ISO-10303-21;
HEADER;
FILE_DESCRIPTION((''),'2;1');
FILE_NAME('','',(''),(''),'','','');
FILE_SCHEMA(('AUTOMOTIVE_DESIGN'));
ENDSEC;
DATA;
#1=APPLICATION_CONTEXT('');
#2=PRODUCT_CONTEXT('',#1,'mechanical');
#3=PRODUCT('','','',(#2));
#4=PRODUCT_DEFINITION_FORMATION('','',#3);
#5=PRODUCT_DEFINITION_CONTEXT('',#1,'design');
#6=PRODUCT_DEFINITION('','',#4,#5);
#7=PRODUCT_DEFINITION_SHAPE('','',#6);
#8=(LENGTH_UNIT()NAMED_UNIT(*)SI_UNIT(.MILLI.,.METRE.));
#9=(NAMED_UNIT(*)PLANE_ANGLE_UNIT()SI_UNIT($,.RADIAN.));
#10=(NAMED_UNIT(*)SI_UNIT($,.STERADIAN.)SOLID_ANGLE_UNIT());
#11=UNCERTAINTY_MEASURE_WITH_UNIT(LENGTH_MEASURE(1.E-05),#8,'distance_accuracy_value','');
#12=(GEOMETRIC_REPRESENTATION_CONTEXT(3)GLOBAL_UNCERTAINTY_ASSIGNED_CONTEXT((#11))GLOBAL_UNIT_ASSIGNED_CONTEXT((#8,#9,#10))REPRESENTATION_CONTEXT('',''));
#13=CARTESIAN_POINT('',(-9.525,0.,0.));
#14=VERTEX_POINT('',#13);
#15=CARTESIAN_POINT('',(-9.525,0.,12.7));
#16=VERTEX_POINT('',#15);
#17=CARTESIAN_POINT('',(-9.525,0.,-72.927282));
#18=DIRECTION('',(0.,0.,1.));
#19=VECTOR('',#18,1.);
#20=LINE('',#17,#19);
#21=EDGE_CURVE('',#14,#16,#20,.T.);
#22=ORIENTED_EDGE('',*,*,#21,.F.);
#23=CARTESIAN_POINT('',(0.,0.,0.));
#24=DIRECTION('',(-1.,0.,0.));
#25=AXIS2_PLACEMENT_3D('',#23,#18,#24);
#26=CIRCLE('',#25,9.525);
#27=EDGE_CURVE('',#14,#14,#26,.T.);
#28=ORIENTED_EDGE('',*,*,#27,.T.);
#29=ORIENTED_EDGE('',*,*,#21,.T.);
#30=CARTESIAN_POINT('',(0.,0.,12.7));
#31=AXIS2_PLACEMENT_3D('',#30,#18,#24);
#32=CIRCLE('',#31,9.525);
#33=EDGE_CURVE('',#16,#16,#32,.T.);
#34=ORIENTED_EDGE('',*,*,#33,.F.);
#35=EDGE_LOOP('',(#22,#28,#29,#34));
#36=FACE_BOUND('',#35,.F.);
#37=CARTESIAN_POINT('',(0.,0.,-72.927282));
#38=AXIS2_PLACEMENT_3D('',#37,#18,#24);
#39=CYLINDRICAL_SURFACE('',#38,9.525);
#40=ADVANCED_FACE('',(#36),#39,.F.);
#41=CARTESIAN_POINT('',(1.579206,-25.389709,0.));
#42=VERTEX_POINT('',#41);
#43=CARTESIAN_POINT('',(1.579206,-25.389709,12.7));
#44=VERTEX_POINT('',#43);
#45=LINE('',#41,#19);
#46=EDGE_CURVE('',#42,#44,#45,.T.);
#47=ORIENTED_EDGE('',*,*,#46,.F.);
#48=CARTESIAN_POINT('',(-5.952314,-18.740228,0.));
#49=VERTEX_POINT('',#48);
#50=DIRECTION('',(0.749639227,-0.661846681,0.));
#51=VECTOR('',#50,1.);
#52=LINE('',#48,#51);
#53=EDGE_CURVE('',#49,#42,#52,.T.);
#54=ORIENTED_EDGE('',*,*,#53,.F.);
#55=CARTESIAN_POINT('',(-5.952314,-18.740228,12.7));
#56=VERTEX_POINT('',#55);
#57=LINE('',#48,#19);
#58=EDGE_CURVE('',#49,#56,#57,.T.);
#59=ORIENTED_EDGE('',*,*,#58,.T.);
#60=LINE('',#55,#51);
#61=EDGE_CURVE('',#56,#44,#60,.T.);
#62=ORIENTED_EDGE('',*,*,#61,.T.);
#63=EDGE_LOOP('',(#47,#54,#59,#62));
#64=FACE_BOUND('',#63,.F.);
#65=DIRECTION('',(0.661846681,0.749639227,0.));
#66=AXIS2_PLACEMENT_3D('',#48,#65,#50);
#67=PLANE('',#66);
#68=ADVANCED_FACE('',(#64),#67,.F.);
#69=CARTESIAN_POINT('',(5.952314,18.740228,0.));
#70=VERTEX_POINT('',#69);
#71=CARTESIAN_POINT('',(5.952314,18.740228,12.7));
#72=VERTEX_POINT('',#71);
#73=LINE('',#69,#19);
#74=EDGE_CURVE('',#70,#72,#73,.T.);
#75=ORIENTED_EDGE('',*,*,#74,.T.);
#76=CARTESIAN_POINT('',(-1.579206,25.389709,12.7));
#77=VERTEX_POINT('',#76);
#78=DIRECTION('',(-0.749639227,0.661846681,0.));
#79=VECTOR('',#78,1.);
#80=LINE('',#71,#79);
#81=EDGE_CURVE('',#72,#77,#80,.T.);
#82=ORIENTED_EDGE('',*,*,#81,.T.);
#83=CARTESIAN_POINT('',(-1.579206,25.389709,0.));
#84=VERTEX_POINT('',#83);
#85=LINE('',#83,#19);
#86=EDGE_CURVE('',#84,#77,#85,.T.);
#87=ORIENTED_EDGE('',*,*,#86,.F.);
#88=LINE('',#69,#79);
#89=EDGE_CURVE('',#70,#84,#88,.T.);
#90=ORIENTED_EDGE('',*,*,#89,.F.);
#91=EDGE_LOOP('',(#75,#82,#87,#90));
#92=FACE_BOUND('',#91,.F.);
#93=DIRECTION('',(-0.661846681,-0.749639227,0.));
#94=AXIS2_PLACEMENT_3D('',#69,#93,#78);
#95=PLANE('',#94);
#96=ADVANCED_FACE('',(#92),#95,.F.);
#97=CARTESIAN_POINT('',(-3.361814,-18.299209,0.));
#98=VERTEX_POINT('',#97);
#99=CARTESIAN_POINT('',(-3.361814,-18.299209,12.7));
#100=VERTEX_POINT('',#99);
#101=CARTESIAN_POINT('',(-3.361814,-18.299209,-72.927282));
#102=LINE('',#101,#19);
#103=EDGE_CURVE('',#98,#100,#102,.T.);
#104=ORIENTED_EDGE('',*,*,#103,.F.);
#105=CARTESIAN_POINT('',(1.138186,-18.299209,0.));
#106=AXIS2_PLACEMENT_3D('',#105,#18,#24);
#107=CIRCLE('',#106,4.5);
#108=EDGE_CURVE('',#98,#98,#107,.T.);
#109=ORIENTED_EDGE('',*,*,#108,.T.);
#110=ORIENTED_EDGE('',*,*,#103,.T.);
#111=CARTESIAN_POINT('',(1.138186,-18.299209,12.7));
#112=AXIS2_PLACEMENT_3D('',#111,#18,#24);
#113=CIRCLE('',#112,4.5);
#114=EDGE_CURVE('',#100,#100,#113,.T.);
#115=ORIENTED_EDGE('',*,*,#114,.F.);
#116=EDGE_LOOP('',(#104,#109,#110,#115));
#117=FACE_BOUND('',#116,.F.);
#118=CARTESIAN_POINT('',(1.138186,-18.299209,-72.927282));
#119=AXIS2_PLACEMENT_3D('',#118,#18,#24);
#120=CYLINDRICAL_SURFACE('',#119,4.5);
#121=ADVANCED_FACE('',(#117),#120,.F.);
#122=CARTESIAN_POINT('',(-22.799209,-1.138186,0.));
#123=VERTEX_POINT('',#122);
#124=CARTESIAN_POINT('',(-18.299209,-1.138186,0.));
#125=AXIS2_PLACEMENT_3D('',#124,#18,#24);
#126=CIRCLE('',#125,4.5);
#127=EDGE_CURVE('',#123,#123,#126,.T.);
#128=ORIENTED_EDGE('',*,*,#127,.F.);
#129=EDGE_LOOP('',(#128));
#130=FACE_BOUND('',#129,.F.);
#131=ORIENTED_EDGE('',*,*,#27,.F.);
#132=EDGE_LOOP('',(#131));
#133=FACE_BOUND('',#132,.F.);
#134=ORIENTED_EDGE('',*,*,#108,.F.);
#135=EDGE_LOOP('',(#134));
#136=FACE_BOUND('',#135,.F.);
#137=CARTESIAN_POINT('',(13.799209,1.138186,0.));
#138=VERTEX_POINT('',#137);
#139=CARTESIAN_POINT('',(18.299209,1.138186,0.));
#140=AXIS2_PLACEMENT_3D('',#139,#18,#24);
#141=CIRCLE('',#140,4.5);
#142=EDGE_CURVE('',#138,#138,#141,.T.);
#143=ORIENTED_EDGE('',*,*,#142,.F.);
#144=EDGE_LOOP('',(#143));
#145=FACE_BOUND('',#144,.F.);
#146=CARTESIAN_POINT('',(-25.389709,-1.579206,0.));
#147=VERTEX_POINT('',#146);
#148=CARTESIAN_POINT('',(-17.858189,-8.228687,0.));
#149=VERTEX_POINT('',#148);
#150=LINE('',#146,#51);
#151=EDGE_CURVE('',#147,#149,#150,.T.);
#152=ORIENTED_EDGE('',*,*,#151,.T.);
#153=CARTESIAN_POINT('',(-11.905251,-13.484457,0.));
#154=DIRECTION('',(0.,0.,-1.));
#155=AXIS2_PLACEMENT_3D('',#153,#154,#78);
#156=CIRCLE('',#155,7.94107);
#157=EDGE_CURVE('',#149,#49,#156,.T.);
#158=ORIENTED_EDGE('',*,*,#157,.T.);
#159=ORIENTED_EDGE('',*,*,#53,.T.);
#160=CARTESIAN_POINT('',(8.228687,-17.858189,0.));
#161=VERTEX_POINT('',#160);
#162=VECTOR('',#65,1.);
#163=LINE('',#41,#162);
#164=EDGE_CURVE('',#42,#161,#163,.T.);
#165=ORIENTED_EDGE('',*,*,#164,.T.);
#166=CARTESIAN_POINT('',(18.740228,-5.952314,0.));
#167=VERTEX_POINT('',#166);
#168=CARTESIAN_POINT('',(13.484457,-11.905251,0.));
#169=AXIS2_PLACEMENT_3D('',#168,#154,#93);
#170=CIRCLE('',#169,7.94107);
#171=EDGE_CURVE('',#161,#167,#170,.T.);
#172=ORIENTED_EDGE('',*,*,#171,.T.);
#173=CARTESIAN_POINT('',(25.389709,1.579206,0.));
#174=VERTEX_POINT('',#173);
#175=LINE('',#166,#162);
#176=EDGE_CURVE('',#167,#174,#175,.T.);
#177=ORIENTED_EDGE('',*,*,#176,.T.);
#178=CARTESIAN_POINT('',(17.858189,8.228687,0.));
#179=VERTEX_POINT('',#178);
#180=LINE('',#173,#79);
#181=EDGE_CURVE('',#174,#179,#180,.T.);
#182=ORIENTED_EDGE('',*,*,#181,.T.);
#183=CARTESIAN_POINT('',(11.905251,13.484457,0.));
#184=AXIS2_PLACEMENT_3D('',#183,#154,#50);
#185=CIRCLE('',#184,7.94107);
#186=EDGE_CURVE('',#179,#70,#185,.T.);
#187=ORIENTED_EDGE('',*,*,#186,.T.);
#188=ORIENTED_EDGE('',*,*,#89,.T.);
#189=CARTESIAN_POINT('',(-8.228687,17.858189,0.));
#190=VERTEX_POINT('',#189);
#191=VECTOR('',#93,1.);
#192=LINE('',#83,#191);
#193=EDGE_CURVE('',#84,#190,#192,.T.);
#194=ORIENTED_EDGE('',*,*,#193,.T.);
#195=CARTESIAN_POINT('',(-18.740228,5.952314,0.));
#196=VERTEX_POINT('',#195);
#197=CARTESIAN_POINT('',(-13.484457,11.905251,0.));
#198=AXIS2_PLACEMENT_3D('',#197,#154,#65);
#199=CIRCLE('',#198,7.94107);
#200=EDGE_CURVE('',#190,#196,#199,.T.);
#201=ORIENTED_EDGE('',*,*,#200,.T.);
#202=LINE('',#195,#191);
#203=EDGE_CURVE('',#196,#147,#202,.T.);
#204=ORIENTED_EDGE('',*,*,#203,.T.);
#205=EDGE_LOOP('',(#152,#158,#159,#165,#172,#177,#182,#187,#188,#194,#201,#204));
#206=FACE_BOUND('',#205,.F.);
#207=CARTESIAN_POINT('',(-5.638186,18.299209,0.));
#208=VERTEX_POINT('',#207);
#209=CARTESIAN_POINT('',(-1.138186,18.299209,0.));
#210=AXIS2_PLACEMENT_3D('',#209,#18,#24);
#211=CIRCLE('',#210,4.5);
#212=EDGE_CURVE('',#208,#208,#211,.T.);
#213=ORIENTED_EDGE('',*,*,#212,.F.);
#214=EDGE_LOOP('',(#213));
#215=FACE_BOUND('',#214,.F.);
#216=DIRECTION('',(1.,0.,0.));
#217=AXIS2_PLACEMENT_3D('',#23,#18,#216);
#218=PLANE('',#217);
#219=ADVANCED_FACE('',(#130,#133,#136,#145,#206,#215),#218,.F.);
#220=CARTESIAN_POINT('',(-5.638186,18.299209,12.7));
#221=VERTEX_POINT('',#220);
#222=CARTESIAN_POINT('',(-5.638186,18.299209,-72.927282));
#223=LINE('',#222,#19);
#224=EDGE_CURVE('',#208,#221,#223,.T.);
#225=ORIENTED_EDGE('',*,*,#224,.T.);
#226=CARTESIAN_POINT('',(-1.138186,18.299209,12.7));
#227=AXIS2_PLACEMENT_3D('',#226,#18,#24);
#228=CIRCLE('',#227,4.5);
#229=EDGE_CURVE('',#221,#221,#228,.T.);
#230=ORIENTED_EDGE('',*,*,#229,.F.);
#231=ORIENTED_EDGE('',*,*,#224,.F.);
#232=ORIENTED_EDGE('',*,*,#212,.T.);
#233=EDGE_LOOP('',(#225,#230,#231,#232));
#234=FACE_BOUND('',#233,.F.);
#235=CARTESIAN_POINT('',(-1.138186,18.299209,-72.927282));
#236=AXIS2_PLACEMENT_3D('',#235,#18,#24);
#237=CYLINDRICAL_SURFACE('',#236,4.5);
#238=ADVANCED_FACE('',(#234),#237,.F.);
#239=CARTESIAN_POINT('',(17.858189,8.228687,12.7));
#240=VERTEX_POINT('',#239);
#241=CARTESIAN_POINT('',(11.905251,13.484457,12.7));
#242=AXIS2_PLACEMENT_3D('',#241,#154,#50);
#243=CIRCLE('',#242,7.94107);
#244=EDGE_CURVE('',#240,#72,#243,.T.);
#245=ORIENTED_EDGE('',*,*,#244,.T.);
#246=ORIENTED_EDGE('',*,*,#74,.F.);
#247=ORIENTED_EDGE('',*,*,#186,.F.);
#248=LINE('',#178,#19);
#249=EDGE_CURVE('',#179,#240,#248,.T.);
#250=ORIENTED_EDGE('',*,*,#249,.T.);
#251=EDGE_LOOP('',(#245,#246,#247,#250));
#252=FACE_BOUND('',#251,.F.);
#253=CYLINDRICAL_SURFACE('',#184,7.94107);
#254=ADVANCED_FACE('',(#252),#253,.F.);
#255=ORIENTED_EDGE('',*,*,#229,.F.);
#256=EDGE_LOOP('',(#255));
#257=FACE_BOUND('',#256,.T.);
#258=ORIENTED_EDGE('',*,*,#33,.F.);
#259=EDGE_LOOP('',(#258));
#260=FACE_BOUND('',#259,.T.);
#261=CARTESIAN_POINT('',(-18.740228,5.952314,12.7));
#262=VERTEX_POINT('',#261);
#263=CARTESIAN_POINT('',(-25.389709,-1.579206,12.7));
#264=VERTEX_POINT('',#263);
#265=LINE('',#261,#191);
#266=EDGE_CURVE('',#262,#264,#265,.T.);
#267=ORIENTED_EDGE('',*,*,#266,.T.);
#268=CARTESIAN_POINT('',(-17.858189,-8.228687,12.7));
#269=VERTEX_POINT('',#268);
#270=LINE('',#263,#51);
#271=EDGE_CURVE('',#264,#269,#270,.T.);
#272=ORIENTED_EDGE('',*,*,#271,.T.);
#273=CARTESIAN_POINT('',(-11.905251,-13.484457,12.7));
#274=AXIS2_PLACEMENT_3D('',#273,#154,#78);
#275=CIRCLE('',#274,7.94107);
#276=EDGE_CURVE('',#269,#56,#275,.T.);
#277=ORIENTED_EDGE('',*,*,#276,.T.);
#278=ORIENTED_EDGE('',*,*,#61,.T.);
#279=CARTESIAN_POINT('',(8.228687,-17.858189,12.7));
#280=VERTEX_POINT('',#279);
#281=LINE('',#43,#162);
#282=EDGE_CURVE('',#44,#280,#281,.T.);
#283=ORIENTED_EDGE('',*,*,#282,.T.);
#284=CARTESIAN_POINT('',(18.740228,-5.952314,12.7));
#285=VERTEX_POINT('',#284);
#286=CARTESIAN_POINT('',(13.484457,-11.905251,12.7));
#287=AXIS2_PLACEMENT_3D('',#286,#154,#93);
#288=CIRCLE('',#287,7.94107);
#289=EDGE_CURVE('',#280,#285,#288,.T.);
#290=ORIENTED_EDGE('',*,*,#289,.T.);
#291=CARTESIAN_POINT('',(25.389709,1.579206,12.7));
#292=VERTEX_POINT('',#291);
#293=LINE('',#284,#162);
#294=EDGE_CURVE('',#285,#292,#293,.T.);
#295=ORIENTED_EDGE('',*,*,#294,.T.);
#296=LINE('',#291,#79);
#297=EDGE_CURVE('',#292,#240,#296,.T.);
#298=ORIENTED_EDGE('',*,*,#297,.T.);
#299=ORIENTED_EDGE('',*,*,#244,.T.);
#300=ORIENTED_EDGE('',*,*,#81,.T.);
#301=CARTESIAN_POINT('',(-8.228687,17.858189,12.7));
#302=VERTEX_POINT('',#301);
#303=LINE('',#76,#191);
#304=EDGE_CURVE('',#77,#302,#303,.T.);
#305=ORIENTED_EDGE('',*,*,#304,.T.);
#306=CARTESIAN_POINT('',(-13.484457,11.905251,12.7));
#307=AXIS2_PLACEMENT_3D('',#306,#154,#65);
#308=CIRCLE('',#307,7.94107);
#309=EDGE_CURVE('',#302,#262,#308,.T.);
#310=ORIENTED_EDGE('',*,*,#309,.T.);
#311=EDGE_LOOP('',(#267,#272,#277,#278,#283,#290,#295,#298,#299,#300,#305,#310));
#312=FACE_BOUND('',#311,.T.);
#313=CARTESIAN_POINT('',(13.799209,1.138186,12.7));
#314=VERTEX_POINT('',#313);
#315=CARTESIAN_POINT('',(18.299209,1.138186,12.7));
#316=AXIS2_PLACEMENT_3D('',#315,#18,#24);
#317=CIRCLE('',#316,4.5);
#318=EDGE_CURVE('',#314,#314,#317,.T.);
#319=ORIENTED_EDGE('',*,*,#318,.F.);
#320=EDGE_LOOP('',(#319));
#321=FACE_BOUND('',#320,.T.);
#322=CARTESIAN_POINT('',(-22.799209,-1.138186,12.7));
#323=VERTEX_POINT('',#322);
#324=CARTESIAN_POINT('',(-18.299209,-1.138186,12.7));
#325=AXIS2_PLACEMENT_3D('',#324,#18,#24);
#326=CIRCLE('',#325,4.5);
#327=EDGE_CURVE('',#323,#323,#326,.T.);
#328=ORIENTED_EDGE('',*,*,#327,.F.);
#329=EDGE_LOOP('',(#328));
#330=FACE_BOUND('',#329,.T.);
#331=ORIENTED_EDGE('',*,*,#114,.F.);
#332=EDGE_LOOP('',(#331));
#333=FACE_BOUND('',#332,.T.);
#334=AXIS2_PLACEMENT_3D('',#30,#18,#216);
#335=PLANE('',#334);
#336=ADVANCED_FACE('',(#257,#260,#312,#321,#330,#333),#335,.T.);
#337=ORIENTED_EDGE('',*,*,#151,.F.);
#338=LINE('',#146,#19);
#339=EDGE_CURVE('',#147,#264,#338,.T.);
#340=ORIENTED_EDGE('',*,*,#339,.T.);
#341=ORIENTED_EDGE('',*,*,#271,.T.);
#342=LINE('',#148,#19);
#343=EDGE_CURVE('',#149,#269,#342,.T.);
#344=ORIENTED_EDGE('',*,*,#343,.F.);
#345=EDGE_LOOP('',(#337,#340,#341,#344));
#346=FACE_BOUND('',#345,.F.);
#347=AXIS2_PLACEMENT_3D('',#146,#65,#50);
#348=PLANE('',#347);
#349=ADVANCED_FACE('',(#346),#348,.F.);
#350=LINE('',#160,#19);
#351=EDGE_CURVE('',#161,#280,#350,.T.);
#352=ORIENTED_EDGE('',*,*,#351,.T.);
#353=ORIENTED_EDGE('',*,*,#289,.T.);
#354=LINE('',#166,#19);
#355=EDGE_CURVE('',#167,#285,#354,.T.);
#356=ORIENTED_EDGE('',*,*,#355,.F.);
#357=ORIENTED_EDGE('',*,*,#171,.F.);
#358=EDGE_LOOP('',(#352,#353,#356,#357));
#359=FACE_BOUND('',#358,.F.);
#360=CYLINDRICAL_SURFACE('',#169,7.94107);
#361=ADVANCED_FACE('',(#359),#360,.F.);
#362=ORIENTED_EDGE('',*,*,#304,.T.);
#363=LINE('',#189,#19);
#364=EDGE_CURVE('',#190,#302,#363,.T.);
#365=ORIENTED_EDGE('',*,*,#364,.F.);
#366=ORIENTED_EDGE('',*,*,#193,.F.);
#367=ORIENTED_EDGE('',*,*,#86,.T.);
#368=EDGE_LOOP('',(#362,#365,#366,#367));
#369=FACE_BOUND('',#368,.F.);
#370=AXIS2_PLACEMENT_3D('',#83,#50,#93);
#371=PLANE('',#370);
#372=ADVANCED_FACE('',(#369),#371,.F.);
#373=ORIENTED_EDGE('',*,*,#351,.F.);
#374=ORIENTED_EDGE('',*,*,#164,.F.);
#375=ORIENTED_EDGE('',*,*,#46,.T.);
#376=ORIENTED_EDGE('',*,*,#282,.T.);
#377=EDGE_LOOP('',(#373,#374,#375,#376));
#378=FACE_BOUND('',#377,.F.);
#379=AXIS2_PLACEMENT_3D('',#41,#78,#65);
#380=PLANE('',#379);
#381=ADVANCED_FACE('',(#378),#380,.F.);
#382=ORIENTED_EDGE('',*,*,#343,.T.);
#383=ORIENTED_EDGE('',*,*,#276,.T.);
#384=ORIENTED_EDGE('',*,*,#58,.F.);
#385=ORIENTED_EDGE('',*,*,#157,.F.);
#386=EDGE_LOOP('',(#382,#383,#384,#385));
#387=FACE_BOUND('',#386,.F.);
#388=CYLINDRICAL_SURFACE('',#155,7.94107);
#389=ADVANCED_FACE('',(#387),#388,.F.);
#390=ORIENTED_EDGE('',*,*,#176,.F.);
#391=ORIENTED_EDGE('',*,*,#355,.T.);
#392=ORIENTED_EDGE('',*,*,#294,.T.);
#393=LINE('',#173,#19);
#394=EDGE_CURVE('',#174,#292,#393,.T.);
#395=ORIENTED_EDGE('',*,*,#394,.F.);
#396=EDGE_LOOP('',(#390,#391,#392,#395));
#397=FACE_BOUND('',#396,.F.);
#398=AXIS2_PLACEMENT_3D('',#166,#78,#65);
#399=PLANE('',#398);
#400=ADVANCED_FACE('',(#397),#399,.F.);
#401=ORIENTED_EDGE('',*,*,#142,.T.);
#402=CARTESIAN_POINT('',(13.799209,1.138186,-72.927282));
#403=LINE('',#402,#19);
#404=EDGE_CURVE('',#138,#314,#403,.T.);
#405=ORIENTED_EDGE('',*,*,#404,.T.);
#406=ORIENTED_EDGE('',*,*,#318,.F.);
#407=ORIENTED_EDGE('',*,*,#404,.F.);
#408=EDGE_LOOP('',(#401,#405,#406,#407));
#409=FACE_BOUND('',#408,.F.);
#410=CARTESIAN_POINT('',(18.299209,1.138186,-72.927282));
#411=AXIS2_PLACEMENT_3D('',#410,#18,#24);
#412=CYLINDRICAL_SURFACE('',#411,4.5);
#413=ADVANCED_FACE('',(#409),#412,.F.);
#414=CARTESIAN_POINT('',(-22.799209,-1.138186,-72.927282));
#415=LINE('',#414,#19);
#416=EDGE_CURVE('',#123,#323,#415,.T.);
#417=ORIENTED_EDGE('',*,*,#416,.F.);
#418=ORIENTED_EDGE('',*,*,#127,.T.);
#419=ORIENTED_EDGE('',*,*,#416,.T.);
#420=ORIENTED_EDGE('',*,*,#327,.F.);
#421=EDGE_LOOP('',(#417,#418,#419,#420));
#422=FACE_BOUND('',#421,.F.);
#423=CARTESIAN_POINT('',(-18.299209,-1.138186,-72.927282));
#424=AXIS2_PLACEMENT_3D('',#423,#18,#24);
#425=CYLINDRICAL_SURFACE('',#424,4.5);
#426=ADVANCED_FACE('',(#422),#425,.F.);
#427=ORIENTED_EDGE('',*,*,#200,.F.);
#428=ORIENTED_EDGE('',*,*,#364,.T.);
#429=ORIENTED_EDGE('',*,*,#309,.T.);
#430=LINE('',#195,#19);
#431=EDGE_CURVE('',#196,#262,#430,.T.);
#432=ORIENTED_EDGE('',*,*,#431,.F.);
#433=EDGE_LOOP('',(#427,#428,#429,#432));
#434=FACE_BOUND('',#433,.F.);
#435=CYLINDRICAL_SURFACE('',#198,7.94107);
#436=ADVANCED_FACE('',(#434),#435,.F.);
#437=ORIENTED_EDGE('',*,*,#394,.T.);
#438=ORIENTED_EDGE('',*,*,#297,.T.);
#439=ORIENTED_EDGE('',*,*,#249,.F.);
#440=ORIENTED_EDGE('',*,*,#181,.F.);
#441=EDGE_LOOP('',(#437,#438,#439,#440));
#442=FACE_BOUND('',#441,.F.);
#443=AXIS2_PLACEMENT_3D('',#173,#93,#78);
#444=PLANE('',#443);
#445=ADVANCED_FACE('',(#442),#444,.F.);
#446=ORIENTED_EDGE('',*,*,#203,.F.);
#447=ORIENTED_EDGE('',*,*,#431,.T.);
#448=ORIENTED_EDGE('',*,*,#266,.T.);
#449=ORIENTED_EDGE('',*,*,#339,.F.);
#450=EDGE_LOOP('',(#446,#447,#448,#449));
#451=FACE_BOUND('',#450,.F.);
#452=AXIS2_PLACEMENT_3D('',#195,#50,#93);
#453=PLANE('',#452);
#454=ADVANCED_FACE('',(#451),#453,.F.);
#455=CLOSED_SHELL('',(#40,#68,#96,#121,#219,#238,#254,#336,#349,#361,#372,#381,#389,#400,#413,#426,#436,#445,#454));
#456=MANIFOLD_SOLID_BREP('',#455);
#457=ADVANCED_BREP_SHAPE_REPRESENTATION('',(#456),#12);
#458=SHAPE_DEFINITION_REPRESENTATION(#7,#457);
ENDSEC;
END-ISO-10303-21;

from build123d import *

# Parameters (mm, degrees)
F1_DEPTH = 12.7
F2_D     = 19.05
F3_D     = 9


with BuildPart() as f1:
    # F0 (on Top) → F1 (new body)
    with BuildSketch(Plane.XY):
        with BuildLine():
            Line((5.9523138316, 18.7402282516), (-1.5792061086, 25.3897088273))
            Line((-1.5792061086, 25.3897088273), (-8.2286866843, 17.858188887))
            ThreePointArc((-8.2286866843, 17.858188887), (-7.5315199403, 6.6494805757), (-18.7402282516, 5.9523138316))
            Line((-18.7402282516, 5.9523138316), (-25.3897088273, -1.5792061086))
            Line((-25.3897088273, -1.5792061086), (-17.858188887, -8.2286866843))
            ThreePointArc((-17.858188887, -8.2286866843), (-6.6494805757, -7.5315199403), (-5.9523138316, -18.7402282516))
            Line((-5.9523138316, -18.7402282516), (1.5792061086, -25.3897088273))
            Line((1.5792061086, -25.3897088273), (8.2286866843, -17.858188887))
            ThreePointArc((8.2286866843, -17.858188887), (7.5315199403, -6.6494805757), (18.7402282516, -5.9523138316))
            Line((18.7402282516, -5.9523138316), (25.3897088273, 1.5792061086))
            Line((25.3897088273, 1.5792061086), (17.858188887, 8.2286866843))
            ThreePointArc((17.858188887, 8.2286866843), (6.6494805757, 7.5315199403), (5.9523138316, 18.7402282516))
        make_face()
    extrude(amount=F1_DEPTH)

    # F2 (through all)
    with Locations(Plane(origin=(0, 0, 0), x_dir=(1, 0, 0), z_dir=(0, 0, -1))):
        with Locations((0, 0)):
            Hole(F2_D / 2)

    # F3 (through all)
    with Locations(Plane(origin=(0, 0, 0), x_dir=(1, 0, 0), z_dir=(0, 0, -1))):
        with Locations((18.2992085693, -1.1381864263), (-1.1381864263, -18.2992085693), (-18.2992085693, 1.1381864263), (1.1381864263, 18.2992085693)):
            Hole(F3_D / 2)


solid = f1.part
